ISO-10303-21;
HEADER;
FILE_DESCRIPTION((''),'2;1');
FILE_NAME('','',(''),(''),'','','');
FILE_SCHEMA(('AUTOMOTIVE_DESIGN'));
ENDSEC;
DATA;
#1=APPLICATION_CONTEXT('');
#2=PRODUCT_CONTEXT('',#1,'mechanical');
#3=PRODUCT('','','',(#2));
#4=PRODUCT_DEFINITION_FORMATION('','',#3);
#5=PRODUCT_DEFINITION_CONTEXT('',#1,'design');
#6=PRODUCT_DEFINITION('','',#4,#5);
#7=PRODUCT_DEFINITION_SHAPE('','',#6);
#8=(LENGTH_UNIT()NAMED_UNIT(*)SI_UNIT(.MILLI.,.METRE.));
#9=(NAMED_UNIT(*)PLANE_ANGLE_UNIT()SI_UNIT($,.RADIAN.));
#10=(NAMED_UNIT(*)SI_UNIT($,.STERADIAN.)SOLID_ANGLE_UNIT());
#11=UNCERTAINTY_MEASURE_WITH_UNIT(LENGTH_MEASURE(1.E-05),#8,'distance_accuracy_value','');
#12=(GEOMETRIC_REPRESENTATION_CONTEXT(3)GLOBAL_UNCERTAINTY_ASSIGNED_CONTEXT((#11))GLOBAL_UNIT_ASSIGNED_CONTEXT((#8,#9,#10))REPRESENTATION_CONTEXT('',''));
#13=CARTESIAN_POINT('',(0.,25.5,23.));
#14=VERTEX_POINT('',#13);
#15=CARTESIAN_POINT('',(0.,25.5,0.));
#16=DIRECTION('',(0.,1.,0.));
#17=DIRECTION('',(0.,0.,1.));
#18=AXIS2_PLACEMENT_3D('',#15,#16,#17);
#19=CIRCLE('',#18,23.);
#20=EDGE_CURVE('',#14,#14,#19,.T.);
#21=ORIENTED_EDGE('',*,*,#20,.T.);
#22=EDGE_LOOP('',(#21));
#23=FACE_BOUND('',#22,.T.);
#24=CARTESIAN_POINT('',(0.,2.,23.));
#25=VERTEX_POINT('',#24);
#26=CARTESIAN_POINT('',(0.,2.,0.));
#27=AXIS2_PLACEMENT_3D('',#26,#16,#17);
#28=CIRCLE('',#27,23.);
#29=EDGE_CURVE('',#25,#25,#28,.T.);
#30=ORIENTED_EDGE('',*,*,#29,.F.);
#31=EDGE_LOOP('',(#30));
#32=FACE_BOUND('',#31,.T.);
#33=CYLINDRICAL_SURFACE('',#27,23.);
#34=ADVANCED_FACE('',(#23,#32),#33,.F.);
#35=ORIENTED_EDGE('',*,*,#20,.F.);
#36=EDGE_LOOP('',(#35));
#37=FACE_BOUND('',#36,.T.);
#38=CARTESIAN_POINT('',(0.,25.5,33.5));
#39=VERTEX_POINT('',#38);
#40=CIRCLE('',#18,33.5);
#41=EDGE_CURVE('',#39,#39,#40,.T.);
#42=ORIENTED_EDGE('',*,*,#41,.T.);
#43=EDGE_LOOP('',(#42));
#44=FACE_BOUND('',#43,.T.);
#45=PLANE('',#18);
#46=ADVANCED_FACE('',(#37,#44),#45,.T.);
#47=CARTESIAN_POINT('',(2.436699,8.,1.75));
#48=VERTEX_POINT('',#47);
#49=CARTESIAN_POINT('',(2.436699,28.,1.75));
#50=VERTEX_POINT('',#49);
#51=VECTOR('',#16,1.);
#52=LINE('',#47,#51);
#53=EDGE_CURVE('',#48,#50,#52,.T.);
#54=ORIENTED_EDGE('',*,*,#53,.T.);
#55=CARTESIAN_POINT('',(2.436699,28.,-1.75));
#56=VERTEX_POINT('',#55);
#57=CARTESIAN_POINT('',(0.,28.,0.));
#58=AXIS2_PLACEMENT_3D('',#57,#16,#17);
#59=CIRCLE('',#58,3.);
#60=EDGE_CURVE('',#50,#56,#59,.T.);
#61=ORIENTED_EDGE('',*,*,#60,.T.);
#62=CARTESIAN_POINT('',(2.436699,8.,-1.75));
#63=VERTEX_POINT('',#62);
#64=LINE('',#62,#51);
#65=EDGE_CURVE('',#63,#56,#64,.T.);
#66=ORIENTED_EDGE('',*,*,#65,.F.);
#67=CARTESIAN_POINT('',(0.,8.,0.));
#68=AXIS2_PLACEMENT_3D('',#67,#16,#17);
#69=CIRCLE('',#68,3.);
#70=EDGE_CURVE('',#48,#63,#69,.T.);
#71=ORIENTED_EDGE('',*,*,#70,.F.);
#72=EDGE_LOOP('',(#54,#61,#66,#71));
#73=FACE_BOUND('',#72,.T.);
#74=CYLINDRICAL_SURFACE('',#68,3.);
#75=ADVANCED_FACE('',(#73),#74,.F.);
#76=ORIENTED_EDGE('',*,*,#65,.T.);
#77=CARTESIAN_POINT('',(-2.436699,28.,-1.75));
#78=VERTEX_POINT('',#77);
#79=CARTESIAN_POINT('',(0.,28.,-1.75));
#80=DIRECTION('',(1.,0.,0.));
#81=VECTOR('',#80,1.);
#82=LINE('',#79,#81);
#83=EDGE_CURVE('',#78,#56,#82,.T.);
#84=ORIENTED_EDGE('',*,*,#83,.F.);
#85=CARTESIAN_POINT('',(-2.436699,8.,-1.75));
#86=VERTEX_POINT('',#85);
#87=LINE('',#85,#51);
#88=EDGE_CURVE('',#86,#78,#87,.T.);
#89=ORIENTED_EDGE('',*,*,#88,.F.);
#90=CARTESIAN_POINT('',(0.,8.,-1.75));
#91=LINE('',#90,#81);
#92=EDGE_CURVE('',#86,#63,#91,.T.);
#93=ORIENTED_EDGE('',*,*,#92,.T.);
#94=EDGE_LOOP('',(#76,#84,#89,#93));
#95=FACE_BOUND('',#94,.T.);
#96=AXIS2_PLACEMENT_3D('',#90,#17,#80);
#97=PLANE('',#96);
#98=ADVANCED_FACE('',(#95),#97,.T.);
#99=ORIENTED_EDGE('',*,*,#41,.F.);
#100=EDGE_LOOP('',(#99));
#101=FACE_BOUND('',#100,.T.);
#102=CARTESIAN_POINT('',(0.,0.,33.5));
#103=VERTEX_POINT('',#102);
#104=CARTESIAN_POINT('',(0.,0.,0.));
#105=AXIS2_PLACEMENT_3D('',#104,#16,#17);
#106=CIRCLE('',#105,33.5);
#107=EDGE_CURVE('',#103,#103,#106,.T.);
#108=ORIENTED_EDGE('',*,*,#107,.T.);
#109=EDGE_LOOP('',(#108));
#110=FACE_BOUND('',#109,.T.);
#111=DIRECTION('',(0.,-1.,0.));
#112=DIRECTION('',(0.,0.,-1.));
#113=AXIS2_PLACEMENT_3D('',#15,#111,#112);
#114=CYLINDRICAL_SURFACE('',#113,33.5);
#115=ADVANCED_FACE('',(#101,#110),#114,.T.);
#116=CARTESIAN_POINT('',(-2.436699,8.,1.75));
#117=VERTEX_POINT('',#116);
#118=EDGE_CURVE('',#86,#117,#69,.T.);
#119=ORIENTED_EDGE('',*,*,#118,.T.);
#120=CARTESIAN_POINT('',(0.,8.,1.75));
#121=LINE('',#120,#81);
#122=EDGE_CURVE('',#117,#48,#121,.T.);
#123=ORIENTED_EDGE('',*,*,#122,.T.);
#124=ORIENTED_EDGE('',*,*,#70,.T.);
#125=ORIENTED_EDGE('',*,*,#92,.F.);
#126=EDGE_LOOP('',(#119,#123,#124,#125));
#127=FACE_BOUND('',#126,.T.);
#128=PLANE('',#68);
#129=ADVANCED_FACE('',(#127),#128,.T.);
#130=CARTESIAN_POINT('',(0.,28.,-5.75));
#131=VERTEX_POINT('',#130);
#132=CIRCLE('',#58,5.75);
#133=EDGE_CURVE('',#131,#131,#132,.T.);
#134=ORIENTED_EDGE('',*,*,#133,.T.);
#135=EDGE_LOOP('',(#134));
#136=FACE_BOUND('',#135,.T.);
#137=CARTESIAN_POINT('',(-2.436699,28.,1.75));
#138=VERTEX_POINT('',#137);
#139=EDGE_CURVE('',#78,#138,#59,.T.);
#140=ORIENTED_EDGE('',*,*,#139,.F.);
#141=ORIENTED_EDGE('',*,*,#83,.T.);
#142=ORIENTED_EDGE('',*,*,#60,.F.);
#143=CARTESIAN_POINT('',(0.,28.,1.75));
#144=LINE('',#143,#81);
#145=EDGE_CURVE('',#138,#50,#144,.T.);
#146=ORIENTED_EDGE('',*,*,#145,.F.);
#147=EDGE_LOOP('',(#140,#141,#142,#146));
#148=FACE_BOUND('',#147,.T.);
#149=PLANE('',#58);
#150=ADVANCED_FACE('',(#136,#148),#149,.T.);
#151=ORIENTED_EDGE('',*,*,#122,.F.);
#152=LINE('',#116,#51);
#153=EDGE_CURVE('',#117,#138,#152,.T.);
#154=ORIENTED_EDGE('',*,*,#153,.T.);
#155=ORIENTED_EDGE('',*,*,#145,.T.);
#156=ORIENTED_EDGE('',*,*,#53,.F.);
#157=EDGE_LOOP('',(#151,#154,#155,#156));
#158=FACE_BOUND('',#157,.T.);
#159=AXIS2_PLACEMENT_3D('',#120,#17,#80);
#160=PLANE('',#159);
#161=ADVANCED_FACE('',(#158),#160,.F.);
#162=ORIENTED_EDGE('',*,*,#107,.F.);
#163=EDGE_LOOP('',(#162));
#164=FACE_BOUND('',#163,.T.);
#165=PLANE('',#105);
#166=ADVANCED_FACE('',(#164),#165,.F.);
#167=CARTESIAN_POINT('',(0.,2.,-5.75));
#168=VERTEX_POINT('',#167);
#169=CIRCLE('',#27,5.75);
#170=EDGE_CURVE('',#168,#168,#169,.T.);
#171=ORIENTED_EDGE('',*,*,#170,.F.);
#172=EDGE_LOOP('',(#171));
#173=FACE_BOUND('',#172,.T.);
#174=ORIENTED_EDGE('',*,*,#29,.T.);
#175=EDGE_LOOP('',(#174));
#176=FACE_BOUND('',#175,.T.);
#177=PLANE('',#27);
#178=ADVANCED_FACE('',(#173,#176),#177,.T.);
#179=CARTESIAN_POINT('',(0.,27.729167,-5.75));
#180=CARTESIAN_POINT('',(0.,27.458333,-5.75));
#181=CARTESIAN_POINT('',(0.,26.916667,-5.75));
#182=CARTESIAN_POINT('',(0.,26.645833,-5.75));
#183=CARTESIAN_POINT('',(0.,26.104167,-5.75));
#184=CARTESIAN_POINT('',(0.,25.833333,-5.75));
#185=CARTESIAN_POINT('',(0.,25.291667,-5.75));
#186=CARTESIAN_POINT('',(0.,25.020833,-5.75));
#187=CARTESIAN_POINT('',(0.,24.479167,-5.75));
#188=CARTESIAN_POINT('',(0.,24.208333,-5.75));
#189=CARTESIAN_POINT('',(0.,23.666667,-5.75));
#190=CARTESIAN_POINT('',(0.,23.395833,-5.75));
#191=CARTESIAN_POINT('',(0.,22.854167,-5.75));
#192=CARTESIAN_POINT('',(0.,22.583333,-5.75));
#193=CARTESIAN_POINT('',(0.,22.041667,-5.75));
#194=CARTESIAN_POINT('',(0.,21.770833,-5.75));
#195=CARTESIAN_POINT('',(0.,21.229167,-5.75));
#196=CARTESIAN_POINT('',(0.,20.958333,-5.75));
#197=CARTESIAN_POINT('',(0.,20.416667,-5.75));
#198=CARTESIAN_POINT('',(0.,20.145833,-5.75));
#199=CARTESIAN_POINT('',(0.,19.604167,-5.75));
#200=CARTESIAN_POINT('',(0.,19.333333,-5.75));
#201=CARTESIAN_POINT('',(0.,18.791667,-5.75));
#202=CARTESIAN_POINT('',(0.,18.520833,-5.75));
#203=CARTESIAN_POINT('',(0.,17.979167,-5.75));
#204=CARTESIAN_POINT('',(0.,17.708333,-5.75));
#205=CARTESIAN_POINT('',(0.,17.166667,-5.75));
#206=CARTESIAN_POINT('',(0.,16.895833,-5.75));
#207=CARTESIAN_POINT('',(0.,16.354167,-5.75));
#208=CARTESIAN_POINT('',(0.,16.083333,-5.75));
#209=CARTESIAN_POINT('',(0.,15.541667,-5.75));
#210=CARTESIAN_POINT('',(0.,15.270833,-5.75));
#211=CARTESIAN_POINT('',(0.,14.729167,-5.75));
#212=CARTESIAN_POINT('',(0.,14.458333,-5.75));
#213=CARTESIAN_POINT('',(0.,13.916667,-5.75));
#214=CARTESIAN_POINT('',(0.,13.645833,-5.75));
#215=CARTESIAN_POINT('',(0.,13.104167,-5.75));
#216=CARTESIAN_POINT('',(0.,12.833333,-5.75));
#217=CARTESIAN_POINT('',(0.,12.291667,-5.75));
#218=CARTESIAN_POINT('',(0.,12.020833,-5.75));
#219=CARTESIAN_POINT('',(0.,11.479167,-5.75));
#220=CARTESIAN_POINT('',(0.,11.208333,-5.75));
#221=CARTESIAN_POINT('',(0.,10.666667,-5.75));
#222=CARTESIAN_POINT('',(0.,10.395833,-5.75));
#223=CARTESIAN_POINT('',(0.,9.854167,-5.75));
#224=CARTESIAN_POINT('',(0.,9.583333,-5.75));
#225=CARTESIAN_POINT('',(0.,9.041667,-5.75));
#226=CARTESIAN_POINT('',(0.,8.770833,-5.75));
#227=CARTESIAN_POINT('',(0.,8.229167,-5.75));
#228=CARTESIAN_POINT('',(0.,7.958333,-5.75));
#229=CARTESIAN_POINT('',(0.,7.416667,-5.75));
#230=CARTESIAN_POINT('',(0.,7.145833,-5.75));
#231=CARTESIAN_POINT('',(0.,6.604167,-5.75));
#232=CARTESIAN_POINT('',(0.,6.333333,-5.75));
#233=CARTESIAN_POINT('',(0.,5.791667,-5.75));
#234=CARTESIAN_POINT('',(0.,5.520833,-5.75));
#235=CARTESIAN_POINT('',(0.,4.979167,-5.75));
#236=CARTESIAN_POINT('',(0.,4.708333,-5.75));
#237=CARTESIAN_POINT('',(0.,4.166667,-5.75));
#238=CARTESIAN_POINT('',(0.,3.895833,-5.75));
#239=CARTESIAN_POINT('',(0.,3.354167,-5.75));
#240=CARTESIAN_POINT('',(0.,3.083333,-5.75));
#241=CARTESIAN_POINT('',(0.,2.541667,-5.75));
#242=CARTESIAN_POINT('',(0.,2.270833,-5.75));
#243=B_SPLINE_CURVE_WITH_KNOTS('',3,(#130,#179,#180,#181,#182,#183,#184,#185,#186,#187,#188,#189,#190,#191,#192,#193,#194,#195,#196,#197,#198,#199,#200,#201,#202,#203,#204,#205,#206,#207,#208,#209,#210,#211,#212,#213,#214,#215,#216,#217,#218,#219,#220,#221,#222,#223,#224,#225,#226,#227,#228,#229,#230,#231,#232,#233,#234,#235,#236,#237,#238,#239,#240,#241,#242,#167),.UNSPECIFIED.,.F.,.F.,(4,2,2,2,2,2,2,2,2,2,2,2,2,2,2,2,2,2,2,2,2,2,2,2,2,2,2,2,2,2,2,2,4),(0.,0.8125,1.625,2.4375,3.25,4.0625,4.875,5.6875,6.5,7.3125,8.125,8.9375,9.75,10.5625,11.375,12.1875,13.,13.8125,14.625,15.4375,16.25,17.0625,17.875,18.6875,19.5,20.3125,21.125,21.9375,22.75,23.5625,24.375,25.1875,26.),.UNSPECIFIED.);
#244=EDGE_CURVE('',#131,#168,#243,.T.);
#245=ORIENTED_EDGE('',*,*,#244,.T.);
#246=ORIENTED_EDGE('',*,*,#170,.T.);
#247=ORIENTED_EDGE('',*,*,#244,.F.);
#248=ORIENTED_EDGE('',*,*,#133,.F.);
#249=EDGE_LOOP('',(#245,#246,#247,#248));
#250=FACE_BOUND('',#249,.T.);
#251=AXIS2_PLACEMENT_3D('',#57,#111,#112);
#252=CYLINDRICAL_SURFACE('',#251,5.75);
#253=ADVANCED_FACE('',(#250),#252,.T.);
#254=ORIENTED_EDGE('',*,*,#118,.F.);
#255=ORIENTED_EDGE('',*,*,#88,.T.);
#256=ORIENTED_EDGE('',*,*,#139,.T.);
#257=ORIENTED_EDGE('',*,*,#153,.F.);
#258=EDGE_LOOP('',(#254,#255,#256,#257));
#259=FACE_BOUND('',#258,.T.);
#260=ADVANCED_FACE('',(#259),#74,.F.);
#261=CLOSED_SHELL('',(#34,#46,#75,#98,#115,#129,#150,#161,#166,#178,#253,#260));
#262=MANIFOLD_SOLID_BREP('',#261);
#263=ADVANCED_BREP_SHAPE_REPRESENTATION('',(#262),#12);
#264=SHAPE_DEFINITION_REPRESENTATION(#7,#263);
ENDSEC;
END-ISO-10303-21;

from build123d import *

# Parameters (mm, degrees)
SKETCH_1_R          = 33.5
EXTRUDE_1_DEPTH     = 25.5
SKETCH_2_R          = 23
CUT_EXTRUDE_1_DEPTH = 23.5
SKETCH_3_R          = 5.75
EXTRUDE_2_DEPTH     = 26
CUT_EXTRUDE_2_DEPTH = 20


with BuildPart() as part:
    # Эскиз1 → Бобышка-Вытянуть1 (new body)
    with BuildSketch(Plane(origin=(0, 0, 0), x_dir=(1, 0, 0), z_dir=(0, 1, 0))):
        with Locations(Location((0, 0, 0), (0, 0, 270))):
            Circle(SKETCH_1_R)
    extrude(amount=EXTRUDE_1_DEPTH)

    # Эскиз2 → Вырез-Вытянуть1 (cut)
    with BuildSketch(Plane(origin=(0, 25.5, 0), x_dir=(1, 0, 0), z_dir=(0, 1, 0))):
        with Locations(Location((0, 0, 0), (0, 0, 270))):
            Circle(SKETCH_2_R)
    extrude(amount=-CUT_EXTRUDE_1_DEPTH, mode=Mode.SUBTRACT)

    # Эскиз3 → Бобышка-Вытянуть2 (add)
    with BuildSketch(Plane(origin=(0, 2, 0), x_dir=(1, 0, 0), z_dir=(0, 1, 0))):
        with Locations(Location((0, 0, 0), (0, 0, 90))):
            Circle(SKETCH_3_R)
    extrude(amount=EXTRUDE_2_DEPTH)

    # Эскиз4 → Вырез-Вытянуть2 (cut)
    with BuildSketch(Plane(origin=(0, 28, 0), x_dir=(1, 0, 0), z_dir=(0, 1, 0))):
        with BuildLine():
            Line((2.436698586, 1.75), (-2.436698586, 1.75))
            ThreePointArc((-2.436698586, 1.75), (-3, 0), (-2.436698586, -1.75))
            Line((-2.436698586, -1.75), (2.436698586, -1.75))
            ThreePointArc((2.436698586, -1.75), (2.855704445, -0.919212772), (3, 0))
            ThreePointArc((3, 0), (2.855704445, 0.919212772), (2.436698586, 1.75))
        make_face()
    extrude(amount=-CUT_EXTRUDE_2_DEPTH, mode=Mode.SUBTRACT)


solid = part.part
